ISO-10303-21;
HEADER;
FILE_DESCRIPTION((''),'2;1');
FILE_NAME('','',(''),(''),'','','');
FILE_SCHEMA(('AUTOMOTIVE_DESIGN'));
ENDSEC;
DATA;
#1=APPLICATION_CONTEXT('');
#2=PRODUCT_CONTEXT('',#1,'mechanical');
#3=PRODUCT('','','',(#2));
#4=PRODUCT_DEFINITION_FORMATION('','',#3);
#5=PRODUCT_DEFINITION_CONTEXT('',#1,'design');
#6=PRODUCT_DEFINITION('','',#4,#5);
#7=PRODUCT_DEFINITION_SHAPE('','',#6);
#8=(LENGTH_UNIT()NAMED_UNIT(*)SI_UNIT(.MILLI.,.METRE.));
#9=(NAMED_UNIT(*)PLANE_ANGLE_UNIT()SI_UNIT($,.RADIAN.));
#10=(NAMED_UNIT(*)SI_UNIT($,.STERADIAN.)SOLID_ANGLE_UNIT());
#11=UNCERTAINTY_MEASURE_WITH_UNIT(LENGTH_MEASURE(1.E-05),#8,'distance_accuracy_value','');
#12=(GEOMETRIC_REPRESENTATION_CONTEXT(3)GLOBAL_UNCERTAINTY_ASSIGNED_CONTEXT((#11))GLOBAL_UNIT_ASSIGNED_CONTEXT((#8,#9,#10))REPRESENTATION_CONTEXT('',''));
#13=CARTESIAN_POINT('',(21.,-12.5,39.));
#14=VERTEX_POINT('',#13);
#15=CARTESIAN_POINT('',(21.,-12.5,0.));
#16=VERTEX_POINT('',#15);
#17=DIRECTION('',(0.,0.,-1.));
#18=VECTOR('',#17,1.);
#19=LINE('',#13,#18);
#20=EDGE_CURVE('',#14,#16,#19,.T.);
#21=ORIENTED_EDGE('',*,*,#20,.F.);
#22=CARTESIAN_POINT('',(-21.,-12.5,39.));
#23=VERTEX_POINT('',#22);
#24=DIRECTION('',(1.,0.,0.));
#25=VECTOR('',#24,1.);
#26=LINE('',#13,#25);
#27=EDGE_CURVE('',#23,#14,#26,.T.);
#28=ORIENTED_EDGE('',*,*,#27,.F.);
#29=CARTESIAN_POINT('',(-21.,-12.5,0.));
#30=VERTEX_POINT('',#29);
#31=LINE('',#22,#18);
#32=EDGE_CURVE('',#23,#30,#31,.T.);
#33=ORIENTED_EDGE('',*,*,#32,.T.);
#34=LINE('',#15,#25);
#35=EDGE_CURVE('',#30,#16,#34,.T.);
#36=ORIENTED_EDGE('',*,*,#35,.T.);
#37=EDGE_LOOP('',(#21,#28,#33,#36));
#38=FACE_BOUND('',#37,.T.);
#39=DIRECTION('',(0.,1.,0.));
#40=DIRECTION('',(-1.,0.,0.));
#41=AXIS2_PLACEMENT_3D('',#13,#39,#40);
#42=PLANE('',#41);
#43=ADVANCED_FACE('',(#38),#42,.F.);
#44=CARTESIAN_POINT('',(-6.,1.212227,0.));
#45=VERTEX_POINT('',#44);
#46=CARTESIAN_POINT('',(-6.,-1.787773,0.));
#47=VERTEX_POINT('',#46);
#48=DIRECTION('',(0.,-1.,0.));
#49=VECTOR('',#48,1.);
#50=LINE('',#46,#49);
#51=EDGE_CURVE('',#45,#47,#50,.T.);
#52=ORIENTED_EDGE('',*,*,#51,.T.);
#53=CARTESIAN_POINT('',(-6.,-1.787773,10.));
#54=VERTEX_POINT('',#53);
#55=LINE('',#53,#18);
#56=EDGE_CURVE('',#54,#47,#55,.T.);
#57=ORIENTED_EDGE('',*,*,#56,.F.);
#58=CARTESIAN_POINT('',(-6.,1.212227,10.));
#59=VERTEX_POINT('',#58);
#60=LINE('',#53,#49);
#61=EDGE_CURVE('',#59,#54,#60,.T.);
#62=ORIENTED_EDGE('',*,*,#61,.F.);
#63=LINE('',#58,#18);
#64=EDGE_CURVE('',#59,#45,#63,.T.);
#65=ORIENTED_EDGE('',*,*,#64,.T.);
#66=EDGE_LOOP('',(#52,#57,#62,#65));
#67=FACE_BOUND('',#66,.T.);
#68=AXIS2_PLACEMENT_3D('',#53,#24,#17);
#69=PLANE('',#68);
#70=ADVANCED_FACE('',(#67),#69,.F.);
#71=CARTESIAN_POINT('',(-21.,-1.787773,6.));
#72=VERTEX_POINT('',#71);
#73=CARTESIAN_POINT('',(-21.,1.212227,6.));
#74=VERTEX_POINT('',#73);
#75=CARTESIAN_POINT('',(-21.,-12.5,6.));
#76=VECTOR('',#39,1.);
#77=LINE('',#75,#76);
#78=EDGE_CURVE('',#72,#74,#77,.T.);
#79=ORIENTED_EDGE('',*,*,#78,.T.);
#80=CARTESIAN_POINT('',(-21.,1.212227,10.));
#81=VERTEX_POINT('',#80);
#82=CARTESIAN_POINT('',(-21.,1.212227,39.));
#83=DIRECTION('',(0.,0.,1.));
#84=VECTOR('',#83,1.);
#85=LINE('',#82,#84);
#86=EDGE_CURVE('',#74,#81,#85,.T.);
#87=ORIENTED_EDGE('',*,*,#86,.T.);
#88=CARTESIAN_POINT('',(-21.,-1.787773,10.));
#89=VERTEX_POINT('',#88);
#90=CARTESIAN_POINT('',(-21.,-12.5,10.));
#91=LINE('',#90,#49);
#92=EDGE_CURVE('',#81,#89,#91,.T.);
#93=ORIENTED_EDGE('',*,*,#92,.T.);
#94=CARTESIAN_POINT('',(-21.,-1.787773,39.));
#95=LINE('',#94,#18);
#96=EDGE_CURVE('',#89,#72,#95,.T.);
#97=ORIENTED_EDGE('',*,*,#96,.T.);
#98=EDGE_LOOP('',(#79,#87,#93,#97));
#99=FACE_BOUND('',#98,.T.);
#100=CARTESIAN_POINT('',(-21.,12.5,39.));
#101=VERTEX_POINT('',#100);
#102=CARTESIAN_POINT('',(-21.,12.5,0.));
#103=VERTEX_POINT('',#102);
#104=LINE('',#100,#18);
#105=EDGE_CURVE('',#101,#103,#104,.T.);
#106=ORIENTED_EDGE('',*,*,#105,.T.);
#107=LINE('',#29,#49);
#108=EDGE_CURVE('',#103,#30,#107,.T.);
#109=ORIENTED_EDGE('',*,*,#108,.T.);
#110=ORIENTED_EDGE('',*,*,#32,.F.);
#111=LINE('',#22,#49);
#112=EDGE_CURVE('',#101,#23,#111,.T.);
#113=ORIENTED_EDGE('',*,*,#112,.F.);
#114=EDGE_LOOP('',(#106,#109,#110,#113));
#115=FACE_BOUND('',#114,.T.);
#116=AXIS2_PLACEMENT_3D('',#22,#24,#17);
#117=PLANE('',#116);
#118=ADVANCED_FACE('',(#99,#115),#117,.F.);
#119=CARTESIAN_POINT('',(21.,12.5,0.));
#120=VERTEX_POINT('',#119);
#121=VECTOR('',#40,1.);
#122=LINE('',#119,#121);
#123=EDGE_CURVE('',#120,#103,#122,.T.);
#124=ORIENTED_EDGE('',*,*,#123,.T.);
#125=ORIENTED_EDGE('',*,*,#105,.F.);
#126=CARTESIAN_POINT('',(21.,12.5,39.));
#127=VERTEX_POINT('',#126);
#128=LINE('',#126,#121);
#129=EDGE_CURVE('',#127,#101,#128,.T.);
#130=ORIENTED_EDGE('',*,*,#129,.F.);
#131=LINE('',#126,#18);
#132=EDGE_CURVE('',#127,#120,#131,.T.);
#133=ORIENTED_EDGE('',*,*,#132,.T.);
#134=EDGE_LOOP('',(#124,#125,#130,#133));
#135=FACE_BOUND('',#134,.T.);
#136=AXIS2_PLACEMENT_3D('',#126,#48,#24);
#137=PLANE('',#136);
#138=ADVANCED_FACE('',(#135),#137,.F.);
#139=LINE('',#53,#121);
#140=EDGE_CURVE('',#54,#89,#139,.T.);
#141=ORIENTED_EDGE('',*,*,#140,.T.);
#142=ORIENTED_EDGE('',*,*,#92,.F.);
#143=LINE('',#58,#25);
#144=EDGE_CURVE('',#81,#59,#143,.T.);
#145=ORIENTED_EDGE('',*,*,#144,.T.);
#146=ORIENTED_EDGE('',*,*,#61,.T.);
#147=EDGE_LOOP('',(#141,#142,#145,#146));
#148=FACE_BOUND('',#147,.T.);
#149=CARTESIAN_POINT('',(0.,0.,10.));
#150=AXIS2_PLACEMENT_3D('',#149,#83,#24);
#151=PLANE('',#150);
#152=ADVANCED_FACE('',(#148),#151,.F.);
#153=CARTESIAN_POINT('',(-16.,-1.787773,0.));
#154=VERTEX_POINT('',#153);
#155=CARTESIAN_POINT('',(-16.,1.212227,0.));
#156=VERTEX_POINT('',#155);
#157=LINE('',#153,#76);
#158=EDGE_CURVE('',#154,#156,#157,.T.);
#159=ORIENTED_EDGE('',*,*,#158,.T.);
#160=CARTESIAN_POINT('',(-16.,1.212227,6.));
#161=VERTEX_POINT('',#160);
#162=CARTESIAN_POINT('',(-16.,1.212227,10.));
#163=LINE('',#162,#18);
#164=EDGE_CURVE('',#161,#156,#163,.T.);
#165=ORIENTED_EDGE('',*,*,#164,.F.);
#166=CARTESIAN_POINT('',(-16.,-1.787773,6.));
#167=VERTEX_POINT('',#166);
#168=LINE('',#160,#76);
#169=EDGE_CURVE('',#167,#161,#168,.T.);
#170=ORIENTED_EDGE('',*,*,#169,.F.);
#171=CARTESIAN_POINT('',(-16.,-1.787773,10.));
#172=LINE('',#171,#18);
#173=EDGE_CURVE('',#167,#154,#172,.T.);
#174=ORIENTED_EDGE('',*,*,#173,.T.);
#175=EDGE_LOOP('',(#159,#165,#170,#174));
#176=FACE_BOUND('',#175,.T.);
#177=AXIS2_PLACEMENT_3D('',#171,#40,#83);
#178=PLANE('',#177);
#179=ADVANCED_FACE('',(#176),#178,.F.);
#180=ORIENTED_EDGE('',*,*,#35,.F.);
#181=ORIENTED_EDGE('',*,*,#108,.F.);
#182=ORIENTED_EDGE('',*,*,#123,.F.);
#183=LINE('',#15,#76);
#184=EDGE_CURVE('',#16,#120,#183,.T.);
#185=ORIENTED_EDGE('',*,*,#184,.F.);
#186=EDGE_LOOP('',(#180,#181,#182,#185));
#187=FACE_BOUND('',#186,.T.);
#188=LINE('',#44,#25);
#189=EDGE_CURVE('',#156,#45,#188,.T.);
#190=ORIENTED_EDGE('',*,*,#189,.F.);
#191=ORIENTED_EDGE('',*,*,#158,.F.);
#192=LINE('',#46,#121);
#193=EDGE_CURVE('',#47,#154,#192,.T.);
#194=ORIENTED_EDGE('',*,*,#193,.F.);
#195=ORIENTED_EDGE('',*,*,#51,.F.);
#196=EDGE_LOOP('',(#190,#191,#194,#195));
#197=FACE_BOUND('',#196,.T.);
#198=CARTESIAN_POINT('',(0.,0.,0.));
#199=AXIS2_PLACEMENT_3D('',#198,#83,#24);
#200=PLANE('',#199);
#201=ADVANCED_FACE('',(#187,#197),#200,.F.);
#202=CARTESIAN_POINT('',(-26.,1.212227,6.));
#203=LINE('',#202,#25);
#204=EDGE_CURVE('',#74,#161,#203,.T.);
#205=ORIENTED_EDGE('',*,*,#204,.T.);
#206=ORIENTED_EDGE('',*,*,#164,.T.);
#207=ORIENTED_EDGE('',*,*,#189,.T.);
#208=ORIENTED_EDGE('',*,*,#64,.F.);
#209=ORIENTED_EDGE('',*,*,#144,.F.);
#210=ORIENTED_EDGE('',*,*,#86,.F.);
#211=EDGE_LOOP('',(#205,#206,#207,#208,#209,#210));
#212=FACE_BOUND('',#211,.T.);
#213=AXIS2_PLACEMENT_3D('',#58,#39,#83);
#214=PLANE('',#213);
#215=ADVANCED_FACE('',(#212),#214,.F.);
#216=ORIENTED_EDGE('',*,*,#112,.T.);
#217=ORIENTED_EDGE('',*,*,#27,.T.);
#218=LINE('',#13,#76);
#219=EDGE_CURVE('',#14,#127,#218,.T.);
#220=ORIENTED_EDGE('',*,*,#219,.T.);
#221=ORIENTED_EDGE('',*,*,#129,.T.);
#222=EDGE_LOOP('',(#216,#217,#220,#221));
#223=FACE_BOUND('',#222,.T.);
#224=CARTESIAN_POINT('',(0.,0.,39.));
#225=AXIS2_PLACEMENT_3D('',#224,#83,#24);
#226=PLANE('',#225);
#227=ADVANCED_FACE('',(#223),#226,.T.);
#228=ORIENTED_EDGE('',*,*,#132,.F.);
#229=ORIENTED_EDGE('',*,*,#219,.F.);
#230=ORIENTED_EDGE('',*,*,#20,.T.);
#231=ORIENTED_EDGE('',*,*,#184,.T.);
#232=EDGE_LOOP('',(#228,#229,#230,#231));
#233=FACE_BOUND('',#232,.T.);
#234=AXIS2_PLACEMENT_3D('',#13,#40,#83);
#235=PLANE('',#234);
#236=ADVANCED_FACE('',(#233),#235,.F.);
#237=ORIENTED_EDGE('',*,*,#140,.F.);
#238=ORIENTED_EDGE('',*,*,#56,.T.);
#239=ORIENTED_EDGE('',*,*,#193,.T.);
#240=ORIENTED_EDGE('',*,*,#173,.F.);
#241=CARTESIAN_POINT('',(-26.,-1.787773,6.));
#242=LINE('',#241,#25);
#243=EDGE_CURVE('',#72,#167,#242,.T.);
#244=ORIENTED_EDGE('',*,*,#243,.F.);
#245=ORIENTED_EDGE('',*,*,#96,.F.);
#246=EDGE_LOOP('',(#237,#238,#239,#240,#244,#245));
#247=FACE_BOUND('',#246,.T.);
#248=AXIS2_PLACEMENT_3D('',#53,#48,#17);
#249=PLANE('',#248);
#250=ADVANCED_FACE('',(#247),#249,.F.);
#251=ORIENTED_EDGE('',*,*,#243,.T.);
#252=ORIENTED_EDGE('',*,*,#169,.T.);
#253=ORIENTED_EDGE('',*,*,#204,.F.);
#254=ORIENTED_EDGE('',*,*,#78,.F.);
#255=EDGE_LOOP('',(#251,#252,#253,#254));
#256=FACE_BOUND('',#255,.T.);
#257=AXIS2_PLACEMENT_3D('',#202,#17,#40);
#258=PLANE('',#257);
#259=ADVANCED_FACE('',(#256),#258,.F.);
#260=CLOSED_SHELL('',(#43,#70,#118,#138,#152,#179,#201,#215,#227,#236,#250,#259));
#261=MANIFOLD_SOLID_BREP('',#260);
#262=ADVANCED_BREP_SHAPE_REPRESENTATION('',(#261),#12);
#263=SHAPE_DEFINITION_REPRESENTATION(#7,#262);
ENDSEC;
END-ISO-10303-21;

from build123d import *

# Parameters (mm, degrees)
ESQUISSE1_W             = 42
ESQUISSE1_H             = 25
BOSS_EXTRU_1_DEPTH      = 39
ESQUISSE2_W             = 10
ESQUISSE2_H             = 3
ENL_V_MAT_EXTRU_1_DEPTH = 10
ESQUISSE3_W             = 4
ESQUISSE3_H             = 3
ENL_V_MAT_EXTRU_2_DEPTH = 10


with BuildPart() as part:
    # Esquisse1 → Boss.-Extru.1 (new body)
    with BuildSketch(Plane.XY):
        Rectangle(ESQUISSE1_W, ESQUISSE1_H)
    extrude(amount=BOSS_EXTRU_1_DEPTH)

    # Esquisse2 → Enlèv. mat.-Extru.1 (cut)
    with BuildSketch(Plane(origin=(0, 0, 0), x_dir=(-1, 0, 0), z_dir=(0, 0, -1))):
        with Locations((11, -0.28777271)):
            Rectangle(ESQUISSE2_W, ESQUISSE2_H)
    extrude(amount=-ENL_V_MAT_EXTRU_1_DEPTH, mode=Mode.SUBTRACT)

    # Esquisse3 → Enlèv. mat.-Extru.2 (cut)
    with BuildSketch(Plane(origin=(-16, 0, 0), x_dir=(0, 0, -1), z_dir=(1, 0, 0))):
        with Locations((-8, -0.28777271)):
            Rectangle(ESQUISSE3_W, ESQUISSE3_H)
    extrude(amount=-ENL_V_MAT_EXTRU_2_DEPTH, mode=Mode.SUBTRACT)


solid = part.part
